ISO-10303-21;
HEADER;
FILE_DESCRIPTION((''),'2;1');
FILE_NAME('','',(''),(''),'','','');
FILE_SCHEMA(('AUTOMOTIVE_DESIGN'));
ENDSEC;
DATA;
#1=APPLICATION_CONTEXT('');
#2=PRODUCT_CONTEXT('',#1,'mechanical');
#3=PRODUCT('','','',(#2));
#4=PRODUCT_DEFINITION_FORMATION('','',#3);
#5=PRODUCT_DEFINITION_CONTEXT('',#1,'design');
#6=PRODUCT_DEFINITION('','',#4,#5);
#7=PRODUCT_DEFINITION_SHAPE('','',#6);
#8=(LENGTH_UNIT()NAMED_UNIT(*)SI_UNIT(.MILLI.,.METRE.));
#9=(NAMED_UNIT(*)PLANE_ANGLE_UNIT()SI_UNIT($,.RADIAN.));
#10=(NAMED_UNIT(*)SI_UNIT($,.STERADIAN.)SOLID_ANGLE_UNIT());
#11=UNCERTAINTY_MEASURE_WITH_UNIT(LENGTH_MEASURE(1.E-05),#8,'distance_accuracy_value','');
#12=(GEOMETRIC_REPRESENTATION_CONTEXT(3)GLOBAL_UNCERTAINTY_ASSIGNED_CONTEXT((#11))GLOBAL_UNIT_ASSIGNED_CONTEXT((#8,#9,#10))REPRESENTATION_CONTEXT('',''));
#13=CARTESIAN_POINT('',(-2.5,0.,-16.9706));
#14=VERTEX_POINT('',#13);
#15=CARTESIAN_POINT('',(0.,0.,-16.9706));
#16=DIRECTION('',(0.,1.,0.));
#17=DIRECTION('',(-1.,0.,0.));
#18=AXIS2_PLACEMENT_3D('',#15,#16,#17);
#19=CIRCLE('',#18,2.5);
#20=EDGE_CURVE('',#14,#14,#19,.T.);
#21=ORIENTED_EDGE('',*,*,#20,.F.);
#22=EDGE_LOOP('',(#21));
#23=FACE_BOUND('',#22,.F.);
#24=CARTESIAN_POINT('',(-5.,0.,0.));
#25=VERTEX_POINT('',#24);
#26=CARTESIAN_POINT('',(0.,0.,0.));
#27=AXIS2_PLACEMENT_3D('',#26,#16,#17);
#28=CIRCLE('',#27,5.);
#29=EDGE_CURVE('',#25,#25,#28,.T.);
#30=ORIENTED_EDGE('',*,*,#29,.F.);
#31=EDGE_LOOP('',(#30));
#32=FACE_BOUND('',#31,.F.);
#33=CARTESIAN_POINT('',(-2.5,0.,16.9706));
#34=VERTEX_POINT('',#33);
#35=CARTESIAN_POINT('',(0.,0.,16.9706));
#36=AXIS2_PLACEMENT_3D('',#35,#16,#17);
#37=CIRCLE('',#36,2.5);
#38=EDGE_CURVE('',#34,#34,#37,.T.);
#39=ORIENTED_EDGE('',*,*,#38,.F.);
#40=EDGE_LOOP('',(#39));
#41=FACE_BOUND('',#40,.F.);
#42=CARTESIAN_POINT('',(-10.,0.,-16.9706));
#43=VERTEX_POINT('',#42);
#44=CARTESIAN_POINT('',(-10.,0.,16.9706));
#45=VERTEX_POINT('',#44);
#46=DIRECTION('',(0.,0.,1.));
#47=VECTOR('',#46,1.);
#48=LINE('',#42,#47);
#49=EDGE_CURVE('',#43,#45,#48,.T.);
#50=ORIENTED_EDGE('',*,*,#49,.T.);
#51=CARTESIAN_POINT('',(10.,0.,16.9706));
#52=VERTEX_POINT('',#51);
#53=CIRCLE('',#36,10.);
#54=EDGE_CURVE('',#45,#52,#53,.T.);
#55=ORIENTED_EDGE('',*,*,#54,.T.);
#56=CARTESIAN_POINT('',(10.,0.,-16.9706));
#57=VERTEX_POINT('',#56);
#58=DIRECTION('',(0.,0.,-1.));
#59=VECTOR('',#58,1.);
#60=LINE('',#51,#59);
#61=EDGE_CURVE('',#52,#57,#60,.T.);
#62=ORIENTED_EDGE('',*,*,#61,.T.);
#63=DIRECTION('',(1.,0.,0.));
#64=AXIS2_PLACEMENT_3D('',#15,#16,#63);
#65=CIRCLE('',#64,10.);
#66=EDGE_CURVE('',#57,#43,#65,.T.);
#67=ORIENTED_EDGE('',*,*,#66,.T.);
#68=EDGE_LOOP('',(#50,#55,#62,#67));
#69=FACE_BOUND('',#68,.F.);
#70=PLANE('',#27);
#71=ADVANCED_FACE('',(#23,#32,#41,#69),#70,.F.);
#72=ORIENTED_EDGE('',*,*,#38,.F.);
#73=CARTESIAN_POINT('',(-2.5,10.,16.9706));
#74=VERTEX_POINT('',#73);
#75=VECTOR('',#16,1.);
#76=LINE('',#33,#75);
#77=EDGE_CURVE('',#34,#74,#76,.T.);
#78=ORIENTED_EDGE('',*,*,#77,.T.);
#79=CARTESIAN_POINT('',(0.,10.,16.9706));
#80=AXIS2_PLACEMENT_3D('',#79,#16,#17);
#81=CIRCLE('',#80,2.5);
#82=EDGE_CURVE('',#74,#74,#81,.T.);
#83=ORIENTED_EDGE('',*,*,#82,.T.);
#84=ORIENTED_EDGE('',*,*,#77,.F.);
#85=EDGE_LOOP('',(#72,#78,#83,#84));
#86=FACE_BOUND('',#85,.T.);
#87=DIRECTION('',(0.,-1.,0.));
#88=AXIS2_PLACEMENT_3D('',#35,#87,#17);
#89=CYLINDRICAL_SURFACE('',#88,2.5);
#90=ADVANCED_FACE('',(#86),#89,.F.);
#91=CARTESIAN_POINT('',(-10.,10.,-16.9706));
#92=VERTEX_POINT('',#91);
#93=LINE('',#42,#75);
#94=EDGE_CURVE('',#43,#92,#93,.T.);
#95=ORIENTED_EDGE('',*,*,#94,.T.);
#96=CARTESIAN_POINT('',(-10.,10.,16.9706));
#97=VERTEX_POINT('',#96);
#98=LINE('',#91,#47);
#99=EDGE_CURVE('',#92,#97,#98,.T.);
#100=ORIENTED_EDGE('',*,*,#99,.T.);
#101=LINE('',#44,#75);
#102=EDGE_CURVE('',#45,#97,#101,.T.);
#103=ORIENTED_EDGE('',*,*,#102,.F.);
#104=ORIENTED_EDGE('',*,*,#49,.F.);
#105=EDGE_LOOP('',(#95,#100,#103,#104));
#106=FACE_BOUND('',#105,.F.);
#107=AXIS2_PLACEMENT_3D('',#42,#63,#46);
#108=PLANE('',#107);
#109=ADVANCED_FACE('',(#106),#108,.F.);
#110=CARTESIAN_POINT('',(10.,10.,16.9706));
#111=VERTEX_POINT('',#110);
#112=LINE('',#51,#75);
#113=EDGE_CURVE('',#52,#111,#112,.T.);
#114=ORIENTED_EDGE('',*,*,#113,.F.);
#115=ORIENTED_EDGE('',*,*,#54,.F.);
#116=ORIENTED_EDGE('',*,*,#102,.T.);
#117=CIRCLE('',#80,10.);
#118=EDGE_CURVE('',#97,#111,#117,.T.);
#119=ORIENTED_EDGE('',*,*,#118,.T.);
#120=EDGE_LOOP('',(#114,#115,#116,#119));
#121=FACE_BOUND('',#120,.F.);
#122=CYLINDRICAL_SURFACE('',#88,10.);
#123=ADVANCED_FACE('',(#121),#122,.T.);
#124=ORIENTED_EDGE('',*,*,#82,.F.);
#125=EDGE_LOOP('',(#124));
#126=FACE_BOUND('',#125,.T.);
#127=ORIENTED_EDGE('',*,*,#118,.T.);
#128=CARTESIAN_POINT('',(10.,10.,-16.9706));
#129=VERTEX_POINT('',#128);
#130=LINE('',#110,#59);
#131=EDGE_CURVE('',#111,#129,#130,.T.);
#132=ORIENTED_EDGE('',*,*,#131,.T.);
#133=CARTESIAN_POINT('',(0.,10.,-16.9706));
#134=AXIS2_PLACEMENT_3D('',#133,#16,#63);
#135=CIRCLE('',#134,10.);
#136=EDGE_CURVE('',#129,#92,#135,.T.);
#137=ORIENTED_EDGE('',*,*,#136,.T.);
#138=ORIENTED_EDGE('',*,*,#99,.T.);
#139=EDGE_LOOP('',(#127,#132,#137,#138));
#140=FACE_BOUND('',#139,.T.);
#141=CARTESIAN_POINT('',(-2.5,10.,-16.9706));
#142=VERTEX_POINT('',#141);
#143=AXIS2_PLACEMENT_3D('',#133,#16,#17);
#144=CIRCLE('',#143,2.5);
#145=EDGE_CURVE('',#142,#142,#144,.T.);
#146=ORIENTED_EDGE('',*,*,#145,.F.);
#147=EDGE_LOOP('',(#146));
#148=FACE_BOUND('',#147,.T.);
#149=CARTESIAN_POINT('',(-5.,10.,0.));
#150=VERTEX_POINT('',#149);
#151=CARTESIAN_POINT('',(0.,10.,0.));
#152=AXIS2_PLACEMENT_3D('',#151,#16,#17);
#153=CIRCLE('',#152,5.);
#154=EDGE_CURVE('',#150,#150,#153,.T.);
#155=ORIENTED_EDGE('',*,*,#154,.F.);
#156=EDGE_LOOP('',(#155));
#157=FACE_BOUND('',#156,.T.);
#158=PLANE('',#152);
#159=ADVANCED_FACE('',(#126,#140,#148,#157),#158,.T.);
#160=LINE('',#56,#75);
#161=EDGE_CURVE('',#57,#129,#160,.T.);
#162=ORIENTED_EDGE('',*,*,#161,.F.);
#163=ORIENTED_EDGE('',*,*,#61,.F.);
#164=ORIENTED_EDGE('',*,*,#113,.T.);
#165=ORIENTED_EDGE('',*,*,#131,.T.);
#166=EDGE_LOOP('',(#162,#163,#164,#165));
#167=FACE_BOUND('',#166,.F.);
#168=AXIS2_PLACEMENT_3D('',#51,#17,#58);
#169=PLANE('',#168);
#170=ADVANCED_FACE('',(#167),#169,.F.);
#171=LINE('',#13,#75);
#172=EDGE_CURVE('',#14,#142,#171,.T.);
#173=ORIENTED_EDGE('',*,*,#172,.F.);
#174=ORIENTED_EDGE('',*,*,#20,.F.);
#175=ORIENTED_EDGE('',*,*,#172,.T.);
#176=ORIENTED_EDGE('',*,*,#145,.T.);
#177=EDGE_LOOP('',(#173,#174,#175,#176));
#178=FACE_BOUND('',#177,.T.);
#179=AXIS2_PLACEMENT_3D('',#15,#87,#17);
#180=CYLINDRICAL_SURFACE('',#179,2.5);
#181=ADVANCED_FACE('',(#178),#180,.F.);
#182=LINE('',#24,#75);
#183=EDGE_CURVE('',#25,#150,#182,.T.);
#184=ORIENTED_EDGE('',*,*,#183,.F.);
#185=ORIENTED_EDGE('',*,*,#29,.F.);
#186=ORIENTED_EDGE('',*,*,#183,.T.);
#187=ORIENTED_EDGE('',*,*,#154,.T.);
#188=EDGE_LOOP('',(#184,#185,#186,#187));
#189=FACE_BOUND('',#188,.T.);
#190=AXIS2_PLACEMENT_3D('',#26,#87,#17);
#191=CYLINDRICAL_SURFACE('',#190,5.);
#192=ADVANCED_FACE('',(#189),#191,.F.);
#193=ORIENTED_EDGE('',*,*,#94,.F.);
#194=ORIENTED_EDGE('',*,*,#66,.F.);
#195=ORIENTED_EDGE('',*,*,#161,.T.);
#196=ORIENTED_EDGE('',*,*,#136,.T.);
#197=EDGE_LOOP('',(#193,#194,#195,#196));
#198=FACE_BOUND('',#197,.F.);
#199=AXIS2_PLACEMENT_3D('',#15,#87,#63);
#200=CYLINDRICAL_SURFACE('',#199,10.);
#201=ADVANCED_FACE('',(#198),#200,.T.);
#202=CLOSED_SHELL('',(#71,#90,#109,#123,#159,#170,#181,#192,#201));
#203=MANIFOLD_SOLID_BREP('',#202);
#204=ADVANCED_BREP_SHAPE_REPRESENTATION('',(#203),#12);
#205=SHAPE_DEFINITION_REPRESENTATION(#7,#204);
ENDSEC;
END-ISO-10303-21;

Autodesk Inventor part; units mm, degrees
ref_plane "YZ Plane" through (0, 0, 0) normal (1, 0, 0) x (0, 1, 0)
ref_plane "XZ Plane" through (0, 0, 0) normal (0, 1, 0) x (-1, 0, 0)
ref_plane "XY Plane" through (0, 0, 0) normal (0, 0, 1) x (1, 0, 0)
sketch "Block1" plane through (0, 0, 0) normal (0, 0, 1) x (1, 0, 0)
  circle A0 centre (0, 0) radius 20.22
  circle A1 centre (0, 12) radius 2.72
  circle A2 centre (0, 0) radius 5.22
  circle A3 centre (0, -12) radius 2.72
sketch "Block2" plane through (0, 0, 0) normal (0, 0, 1) x (1, 0, 0)
  circle A0 centre (0, 0) radius 22.72
  circle A1 centre (-12, 12) radius 2.72
  circle A2 centre (0, 0) radius 5.22
  point P0 (-4, 4)
sketch "Block3" plane through (0, 0, 0) normal (0, 0, 1) x (1, 0, 0)
  line L0 (-10.22, -16.9706) -> (-10.22, 16.9706)
  arc A0 (10.22, 16.9706) -> (-10.22, 16.9706) centre (0, 16.9706) ccw
  line L1 (10.22, 16.9706) -> (10.22, -16.9706)
  arc A1 (-10.22, -16.9706) -> (10.22, -16.9706) centre (0, -16.9706) ccw
  circle A2 centre (0, -16.9706) radius 2.72
  circle A3 centre (0, 0) radius 5.22
  circle A4 centre (0, 16.9706) radius 2.72
  point P0 (0, 0)
sketch "Sketch9" plane through (0, 0, 0) normal (0, 1, 0) x (-1, 0, 0)
  line L0 (0, -16.9706) -> (0, 16.9706) construction
  line L1 (10, -16.9706) -> (10, 16.9706)
  line L2 (-10, 16.9706) -> (-10, -16.9706)
  arc A0 (-10, -16.9706) -> (10, -16.9706) centre (0, -16.9706) ccw
  arc A1 (10, 16.9706) -> (-10, 16.9706) centre (0, 16.9706) ccw
  circle A2 centre (0, 0) radius 5
  circle A3 centre (0, 16.9706) radius 2.5
  circle A4 centre (0, -16.9706) radius 2.5
  dimension "d33" = 10
  dimension "d34" = 33.9411
  dimension "d35" = 10
  dimension "d36" = 5
  dimension "d37" = 5
extrude "Extrusion6" add sketch "Sketch9" along normal blind 10
sketch "Sketch10" plane through (0, 10, 0) normal (0, 1, 0) x (1, 0, 0)
  circle A0 centre (0, 0) radius 5 projected
  circle A1 centre (0, 16.9706) radius 2.5 projected
  circle A2 centre (0, -16.9706) radius 2.5 projected
  line L0 (-10, 16.9706) -> (-10, -16.9706) projected
  arc A3 (-10, -16.9706) -> (10, -16.9706) centre (0, -16.9706) ccw projected
  line L1 (10, -16.9706) -> (10, 16.9706) projected
  arc A4 (10, 16.9706) -> (-10, 16.9706) centre (0, 16.9706) ccw projected
sketch "DXF" plane through (0, 0, 0) normal (0, 1, 0) x (-1, 0, 0)
  point P0 (0, 0)
properties part number "gearSupport"
